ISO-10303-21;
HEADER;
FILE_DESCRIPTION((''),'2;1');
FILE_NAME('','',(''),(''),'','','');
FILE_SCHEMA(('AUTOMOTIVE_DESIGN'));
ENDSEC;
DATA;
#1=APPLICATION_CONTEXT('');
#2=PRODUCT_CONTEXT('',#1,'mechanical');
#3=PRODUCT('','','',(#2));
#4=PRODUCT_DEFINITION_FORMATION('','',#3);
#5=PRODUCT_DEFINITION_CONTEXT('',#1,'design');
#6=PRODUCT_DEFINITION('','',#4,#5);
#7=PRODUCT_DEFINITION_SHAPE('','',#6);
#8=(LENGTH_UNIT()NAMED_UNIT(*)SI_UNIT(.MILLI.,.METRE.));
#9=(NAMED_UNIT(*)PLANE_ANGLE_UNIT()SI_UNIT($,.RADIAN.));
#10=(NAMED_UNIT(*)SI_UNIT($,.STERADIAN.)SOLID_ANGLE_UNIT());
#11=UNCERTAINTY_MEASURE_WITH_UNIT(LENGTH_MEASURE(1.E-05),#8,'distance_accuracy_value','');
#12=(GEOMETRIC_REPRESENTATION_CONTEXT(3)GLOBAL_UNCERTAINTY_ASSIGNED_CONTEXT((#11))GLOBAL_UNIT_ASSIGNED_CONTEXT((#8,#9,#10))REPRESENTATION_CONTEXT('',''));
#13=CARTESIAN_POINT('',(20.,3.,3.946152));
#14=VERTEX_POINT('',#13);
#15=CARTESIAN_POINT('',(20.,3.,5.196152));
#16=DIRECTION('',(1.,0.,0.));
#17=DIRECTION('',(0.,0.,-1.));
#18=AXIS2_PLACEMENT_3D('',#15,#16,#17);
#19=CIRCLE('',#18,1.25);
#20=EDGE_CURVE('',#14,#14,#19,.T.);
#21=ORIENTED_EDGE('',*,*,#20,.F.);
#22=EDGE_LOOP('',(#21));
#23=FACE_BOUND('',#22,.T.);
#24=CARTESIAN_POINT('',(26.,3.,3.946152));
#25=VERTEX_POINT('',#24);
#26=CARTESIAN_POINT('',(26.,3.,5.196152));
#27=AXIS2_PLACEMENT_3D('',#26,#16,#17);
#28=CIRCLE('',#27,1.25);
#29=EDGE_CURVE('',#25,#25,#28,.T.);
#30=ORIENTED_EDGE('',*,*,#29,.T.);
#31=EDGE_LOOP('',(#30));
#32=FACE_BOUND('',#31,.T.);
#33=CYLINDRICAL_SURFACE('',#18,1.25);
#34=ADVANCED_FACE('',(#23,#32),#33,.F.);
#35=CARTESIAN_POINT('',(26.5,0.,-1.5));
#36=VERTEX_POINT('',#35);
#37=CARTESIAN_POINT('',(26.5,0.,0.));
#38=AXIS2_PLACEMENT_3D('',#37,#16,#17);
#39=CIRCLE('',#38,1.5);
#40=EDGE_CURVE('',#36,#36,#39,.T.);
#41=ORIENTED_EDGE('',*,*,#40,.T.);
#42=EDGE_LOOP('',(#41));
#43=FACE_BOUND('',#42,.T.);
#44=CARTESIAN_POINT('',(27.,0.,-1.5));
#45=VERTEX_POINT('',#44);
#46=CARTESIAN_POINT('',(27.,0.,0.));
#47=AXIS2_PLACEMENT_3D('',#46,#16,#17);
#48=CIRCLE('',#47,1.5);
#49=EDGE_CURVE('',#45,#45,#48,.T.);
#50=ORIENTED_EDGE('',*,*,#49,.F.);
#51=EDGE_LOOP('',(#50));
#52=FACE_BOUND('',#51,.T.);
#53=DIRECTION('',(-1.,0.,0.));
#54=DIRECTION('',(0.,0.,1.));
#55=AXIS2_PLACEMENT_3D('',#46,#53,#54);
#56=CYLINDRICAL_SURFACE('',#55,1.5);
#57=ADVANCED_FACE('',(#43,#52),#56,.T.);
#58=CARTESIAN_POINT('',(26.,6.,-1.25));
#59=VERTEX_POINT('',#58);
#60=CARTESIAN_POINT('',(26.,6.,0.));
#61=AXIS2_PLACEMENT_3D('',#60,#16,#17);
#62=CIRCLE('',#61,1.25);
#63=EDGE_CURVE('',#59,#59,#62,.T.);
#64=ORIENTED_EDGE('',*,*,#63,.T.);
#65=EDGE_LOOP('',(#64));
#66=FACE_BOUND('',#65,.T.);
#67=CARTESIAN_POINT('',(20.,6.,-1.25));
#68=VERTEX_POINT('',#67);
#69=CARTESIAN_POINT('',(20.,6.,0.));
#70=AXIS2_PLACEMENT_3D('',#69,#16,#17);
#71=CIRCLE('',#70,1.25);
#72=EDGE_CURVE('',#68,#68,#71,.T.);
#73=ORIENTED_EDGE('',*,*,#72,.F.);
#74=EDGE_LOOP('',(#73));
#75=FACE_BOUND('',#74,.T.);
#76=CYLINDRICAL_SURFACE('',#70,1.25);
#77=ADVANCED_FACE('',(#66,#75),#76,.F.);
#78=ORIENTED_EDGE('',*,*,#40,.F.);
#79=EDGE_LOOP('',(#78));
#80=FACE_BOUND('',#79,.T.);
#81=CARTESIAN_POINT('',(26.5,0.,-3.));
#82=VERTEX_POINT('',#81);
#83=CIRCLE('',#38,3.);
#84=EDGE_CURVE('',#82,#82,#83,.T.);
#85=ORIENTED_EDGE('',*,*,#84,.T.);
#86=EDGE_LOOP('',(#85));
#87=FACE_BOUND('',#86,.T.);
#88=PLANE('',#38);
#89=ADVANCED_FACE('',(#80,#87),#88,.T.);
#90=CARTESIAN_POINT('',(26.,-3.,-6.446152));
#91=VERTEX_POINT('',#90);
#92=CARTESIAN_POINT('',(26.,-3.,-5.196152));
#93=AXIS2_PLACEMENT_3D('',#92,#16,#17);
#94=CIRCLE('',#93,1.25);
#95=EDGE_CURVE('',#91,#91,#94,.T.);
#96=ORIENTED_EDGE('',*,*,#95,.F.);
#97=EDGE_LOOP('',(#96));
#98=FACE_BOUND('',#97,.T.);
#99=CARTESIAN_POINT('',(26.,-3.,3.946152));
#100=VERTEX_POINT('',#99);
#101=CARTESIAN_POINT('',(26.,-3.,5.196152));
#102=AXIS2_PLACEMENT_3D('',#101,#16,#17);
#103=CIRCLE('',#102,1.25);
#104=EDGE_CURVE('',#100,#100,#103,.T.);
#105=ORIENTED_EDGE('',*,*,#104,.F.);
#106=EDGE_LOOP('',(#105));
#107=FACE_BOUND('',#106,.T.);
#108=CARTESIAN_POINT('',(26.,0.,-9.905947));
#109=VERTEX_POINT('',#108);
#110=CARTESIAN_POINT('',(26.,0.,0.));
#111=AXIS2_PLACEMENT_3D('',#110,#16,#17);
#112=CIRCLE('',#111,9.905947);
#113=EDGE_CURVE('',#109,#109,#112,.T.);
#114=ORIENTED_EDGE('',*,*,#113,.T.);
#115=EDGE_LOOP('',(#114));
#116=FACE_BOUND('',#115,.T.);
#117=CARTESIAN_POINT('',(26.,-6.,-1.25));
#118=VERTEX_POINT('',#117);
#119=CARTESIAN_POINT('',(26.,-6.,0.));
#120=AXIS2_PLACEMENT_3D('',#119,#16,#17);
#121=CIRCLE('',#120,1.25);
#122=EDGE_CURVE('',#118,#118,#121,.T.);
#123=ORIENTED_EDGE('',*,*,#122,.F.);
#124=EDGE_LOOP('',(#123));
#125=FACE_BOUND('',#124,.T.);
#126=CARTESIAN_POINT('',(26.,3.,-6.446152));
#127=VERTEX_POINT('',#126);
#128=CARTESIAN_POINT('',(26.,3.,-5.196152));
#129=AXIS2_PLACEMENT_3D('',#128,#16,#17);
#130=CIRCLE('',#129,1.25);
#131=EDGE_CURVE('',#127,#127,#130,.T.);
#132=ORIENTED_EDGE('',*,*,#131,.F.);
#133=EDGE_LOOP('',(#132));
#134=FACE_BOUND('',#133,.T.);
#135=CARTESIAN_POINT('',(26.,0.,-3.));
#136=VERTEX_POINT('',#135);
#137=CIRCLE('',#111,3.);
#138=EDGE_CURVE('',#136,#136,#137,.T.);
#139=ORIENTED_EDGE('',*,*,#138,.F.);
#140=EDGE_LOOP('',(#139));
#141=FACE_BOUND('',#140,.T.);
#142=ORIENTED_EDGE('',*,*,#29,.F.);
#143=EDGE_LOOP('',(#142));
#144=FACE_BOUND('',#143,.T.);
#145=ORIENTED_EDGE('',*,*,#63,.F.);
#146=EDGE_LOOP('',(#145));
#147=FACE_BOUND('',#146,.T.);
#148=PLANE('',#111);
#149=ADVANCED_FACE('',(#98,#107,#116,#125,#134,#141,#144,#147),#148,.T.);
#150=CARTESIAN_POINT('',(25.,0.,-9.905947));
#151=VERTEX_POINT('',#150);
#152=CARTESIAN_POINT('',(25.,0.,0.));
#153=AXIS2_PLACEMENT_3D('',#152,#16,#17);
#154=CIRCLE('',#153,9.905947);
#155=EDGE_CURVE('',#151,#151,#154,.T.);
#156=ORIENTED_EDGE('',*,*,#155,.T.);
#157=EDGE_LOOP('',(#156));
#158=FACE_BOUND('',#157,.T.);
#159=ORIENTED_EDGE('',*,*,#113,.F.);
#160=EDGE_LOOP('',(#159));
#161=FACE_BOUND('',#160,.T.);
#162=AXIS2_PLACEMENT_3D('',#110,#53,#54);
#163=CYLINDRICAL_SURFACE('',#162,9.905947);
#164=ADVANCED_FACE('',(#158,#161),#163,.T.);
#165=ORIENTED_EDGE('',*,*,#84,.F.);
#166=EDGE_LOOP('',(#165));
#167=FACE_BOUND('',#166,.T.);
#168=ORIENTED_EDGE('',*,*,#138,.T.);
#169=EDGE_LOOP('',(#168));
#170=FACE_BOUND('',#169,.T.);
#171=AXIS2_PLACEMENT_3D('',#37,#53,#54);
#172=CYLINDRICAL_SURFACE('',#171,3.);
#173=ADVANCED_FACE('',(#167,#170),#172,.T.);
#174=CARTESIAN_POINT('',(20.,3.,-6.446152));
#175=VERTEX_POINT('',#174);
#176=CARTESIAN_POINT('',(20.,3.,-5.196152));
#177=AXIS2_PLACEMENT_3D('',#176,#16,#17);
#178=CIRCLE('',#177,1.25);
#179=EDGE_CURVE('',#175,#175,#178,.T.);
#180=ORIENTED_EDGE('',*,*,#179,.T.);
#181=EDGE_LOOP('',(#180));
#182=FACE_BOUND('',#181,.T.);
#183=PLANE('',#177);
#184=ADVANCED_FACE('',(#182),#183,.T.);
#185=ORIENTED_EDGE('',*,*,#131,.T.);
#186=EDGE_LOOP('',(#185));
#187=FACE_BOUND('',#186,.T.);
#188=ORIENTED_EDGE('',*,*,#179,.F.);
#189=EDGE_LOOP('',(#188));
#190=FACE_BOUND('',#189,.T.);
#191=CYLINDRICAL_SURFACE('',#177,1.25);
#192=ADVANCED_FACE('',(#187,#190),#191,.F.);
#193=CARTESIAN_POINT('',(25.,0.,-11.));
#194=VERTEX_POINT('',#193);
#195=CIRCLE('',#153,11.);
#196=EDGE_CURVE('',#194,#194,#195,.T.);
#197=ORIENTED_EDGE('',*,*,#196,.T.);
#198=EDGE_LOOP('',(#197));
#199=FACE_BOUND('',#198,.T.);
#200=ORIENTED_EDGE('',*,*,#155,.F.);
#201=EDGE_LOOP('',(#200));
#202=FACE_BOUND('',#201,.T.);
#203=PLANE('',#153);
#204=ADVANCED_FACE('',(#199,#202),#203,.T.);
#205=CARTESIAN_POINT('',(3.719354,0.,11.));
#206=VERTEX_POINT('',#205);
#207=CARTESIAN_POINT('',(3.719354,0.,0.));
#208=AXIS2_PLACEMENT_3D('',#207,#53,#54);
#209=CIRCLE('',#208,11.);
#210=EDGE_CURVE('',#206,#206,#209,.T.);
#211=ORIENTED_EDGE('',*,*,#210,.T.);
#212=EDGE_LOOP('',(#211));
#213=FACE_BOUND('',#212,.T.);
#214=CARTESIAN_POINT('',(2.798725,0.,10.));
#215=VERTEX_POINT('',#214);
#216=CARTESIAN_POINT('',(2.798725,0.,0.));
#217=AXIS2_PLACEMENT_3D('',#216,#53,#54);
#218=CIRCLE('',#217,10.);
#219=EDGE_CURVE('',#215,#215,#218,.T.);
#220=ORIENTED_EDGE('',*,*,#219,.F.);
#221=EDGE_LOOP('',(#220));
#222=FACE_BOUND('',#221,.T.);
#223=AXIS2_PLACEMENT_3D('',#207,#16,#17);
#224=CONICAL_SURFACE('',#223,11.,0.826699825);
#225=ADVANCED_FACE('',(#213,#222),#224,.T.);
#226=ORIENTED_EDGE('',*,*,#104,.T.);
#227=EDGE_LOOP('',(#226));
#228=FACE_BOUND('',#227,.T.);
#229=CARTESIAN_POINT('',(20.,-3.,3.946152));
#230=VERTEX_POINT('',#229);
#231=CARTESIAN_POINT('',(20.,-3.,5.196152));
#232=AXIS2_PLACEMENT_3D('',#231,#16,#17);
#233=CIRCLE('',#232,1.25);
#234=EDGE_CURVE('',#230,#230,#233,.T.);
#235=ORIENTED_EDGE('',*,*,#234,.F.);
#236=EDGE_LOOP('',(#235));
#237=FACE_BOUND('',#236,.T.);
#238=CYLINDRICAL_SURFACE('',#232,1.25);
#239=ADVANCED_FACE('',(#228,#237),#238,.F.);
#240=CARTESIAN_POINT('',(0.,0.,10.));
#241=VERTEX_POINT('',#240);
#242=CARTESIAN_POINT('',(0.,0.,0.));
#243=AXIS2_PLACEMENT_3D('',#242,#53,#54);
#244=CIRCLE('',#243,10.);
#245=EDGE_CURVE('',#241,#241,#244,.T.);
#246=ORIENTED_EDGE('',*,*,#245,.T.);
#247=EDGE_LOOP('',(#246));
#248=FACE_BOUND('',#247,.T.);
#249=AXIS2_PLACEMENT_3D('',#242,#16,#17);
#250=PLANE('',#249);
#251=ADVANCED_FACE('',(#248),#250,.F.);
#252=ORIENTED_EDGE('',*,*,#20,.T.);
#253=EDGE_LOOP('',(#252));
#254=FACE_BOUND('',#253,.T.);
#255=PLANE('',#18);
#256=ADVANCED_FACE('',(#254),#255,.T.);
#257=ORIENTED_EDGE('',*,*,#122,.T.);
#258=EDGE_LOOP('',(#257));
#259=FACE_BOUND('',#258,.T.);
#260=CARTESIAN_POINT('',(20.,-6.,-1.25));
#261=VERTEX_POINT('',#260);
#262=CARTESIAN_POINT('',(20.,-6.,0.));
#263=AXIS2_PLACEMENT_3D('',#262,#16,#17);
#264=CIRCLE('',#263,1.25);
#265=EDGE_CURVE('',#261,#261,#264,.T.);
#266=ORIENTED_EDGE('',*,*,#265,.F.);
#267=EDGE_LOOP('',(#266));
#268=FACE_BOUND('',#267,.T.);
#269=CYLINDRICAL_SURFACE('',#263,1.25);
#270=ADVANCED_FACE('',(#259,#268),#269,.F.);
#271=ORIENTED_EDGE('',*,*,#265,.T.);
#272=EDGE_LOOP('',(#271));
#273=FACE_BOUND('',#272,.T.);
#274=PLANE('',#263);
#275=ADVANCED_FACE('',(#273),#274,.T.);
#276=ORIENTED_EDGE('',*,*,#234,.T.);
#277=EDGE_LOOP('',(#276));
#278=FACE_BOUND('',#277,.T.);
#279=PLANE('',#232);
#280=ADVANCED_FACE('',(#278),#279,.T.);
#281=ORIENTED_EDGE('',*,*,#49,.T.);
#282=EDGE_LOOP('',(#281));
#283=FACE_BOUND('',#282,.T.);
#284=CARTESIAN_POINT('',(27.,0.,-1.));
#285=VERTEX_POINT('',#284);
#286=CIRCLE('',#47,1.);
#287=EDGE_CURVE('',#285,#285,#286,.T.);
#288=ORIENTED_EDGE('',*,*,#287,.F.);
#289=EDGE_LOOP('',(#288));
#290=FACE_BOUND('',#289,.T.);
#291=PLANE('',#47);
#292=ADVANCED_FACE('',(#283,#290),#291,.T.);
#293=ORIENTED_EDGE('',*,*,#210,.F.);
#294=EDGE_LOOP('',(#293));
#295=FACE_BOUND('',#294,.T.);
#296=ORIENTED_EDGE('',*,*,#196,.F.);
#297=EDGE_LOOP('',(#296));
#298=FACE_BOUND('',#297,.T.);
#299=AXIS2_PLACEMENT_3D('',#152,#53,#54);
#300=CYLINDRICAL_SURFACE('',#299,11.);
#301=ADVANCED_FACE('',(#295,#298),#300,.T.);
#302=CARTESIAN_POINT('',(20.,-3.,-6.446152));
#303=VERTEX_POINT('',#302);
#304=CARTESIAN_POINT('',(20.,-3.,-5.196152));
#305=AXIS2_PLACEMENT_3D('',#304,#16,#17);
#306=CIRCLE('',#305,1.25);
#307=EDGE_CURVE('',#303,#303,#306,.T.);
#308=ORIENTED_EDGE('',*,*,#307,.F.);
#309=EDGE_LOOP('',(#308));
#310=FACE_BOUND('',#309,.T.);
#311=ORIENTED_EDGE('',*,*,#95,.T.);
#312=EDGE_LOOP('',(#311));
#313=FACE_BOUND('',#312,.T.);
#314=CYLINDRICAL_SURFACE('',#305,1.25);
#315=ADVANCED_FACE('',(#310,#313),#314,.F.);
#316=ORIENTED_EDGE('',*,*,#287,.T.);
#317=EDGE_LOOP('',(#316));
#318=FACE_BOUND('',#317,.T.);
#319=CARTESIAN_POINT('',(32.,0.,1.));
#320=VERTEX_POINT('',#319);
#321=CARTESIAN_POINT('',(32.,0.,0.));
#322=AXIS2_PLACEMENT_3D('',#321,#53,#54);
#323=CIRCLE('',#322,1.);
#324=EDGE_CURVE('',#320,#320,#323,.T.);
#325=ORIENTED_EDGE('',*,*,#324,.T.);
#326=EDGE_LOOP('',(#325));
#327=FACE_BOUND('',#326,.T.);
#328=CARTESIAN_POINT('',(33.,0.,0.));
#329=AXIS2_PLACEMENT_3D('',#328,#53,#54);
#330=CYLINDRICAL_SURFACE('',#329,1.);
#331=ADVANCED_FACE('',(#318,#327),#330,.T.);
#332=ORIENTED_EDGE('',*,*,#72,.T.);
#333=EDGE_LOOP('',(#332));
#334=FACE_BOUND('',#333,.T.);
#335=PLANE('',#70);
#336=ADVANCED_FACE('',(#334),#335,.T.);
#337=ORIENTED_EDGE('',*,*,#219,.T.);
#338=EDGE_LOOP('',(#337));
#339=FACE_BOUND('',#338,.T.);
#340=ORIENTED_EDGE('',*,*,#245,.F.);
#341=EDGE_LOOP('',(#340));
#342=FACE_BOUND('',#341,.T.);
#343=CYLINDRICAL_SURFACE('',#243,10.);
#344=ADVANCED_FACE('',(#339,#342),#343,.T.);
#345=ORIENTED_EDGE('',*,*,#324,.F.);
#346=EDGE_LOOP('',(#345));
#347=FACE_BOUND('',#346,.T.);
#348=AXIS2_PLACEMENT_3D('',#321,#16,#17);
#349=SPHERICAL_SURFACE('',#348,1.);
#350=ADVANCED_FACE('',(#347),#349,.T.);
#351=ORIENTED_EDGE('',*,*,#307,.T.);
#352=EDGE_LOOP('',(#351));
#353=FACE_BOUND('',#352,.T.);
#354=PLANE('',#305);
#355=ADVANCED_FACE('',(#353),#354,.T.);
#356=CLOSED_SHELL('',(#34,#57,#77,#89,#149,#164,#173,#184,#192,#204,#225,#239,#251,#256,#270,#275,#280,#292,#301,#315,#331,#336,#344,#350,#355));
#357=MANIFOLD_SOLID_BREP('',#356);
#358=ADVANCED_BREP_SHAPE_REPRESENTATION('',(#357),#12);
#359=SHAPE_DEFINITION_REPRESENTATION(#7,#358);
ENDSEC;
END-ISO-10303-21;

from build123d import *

# Parameters (mm, degrees)
CROQUIS4_R              = 11
SALIENTE_EXTRUIR2_DEPTH = 25
CROQUIS5_R              = 3
SALIENTE_EXTRUIR3_DEPTH = 1.5
CROQUIS6_R              = 1.5
SALIENTE_EXTRUIR4_DEPTH = 0.5
CROQUIS7_R              = 1
SALIENTE_EXTRUIR5_DEPTH = 6
REDONDEO1_R             = 1
CROQUIS10_R             = 9.905946753
SALIENTE_EXTRUIR6_DEPTH = 1
CORTAR_EXTRUIR1_START   = 1
CROQUIS8_R              = 1.25
CORTAR_EXTRUIR1_DEPTH   = 6


with BuildPart() as part:
    # Croquis4 → Saliente-Extruir2 (new body)
    with BuildSketch(Plane(origin=(0, 0, 0), x_dir=(0, 0, -1), z_dir=(1, 0, 0))):
        Circle(CROQUIS4_R)
    extrude(amount=SALIENTE_EXTRUIR2_DEPTH)

    # Croquis5 → Saliente-Extruir3 (add)
    with BuildSketch(Plane(origin=(25, 0, 0), x_dir=(0, 0, -1), z_dir=(1, 0, 0))):
        Circle(CROQUIS5_R)
    extrude(amount=SALIENTE_EXTRUIR3_DEPTH)

    # Croquis6 → Saliente-Extruir4 (add)
    with BuildSketch(Plane(origin=(26.5, 0, 0), x_dir=(0, 0, -1), z_dir=(1, 0, 0))):
        Circle(CROQUIS6_R)
    extrude(amount=SALIENTE_EXTRUIR4_DEPTH)

    # Croquis7 → Saliente-Extruir5 (add)
    with BuildSketch(Plane(origin=(27, 0, 0), x_dir=(0, 0, -1), z_dir=(1, 0, 0))):
        Circle(CROQUIS7_R)
    extrude(amount=SALIENTE_EXTRUIR5_DEPTH)

    # Redondeo1
    redondeo1_edges = [part.edges().sort_by_distance(p)[0] for p in [
        (33, 0, 1),
    ]]
    fillet(redondeo1_edges, radius=REDONDEO1_R)

    # Croquis10 → Saliente-Extruir6 (add)
    with BuildSketch(Plane(origin=(25, 0, 0), x_dir=(0, 0, -1), z_dir=(1, 0, 0))):
        Circle(CROQUIS10_R)
    extrude(amount=SALIENTE_EXTRUIR6_DEPTH)

    # Croquis9 → Cortar-Revolución2 (revolve, cut)
    with BuildSketch(Plane.XY, mode=Mode.PRIVATE) as cortar_revoluci_n2_sk:
        Polygon((3.71935431, 11), (0, 11), (0, 10), (2.798724642, 10), align=None)
    revolve(cortar_revoluci_n2_sk.sketch.rotate(Axis((0, 0, 0), (1, 0, 0)), 90), axis=Axis((0, 0, 0), (1, 0, 0)), mode=Mode.SUBTRACT)

    # Croquis8 → Cortar-Extruir1 (cut)
    with BuildSketch(Plane(origin=(25, 0, 0), x_dir=(0, 0, -1), z_dir=(1, 0, 0)).offset(CORTAR_EXTRUIR1_START)):
        with Locations((0, 6)):
            Circle(CROQUIS8_R)
        with Locations((5.196152423, 3)):
            Circle(CROQUIS8_R)
        with Locations((5.196152423, -3)):
            Circle(CROQUIS8_R)
        with Locations((0, -6)):
            Circle(CROQUIS8_R)
        with Locations((-5.196152423, -3)):
            Circle(CROQUIS8_R)
        with Locations((-5.196152423, 3)):
            Circle(CROQUIS8_R)
    extrude(amount=-CORTAR_EXTRUIR1_DEPTH, mode=Mode.SUBTRACT)


solid = part.part
